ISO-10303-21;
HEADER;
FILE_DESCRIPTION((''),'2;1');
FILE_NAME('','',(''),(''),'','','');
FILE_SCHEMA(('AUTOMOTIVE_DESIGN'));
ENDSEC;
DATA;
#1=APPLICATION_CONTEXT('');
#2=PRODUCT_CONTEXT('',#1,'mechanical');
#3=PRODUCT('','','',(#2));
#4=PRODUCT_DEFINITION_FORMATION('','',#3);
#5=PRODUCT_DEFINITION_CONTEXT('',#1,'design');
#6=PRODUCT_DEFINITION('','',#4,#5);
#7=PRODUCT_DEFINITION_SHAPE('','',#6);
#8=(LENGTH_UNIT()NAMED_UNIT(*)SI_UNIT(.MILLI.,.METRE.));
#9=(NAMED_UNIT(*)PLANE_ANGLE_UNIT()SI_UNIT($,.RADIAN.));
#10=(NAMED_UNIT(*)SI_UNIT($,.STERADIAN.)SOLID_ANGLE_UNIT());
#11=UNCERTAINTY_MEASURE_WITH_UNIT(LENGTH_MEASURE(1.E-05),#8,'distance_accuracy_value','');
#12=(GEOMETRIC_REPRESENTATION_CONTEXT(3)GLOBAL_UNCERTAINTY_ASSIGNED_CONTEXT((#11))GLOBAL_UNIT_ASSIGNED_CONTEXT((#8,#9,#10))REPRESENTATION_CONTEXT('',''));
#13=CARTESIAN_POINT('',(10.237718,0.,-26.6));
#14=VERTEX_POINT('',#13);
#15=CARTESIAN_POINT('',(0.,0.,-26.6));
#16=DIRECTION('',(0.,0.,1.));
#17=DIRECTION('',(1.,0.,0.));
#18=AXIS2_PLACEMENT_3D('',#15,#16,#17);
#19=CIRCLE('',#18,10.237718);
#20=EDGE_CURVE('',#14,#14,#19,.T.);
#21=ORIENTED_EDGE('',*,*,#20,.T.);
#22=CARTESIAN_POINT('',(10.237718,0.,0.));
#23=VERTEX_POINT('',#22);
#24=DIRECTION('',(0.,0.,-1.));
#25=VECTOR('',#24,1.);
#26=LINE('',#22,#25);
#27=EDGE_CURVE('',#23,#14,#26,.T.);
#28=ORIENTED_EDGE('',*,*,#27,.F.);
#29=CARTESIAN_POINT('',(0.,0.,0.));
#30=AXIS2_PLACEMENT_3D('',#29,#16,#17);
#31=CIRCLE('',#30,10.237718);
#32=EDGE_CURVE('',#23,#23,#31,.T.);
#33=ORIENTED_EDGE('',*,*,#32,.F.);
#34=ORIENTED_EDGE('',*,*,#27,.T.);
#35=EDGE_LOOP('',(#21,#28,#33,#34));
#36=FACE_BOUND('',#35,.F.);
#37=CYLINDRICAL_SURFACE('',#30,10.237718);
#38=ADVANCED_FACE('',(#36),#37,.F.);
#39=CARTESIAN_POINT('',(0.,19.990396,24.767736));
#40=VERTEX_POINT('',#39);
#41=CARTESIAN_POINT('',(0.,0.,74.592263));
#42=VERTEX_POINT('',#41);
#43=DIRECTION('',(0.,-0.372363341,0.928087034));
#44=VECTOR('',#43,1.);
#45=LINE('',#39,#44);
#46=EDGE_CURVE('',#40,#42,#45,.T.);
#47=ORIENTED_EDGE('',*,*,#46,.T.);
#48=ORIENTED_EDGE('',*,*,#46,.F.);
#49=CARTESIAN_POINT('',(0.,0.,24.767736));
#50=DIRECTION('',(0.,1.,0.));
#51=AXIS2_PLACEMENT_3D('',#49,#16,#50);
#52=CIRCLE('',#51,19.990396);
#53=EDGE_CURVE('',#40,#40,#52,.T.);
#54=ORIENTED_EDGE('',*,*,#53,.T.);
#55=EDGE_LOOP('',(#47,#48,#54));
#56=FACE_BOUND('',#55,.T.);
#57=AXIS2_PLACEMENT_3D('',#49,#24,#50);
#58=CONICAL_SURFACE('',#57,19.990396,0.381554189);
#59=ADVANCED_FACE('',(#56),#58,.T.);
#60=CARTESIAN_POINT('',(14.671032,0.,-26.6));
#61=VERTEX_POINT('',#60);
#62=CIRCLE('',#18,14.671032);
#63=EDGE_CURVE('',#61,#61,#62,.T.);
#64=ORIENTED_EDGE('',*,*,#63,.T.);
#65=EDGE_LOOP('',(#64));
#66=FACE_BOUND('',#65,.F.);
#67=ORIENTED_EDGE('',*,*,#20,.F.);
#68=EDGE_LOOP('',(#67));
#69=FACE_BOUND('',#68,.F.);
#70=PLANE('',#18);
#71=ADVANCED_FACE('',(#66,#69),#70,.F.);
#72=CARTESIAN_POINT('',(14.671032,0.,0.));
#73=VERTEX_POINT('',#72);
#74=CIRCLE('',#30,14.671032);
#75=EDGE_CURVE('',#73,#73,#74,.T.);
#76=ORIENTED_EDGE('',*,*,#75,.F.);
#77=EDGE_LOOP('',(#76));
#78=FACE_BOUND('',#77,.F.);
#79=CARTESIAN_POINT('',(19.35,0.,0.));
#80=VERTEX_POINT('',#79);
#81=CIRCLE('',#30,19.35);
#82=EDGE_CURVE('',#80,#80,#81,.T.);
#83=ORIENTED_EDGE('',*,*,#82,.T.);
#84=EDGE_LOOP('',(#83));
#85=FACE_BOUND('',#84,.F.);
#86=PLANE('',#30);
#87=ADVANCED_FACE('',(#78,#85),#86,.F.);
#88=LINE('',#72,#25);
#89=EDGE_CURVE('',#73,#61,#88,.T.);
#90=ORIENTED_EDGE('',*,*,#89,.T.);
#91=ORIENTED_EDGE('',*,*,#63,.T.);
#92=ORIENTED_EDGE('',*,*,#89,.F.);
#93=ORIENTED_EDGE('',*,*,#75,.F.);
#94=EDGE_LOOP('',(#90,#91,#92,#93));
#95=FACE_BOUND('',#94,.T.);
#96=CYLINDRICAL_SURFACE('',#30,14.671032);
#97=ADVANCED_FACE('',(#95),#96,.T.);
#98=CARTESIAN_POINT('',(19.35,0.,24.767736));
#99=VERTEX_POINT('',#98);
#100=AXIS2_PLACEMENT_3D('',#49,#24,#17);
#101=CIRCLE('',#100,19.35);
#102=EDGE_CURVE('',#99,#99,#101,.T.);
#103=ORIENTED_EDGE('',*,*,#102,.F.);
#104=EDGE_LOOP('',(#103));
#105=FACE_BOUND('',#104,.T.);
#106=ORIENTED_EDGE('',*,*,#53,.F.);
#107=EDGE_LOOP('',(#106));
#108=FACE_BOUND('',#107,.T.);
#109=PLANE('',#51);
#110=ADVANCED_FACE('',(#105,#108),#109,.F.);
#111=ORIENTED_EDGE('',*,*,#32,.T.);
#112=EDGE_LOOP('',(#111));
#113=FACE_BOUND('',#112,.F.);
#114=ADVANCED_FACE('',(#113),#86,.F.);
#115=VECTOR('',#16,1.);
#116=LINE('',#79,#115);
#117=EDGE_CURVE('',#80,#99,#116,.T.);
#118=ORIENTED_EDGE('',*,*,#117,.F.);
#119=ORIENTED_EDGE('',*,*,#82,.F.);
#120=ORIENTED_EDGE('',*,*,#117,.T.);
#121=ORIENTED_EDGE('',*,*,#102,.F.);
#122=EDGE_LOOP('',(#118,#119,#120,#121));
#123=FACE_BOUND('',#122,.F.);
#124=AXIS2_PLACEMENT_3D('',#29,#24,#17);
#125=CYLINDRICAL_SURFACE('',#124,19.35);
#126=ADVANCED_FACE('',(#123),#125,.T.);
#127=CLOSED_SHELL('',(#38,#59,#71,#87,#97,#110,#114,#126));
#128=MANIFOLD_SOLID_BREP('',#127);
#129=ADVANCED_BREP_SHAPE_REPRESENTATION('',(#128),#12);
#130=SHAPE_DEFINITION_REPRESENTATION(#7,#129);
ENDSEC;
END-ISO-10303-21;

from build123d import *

# Parameters (mm, degrees)
F0_R     = 19.35
F1_DEPTH = 25
F4_R     = 14.671032
F4_R_2   = 10.237718
F5_DEPTH = 26.6


with BuildPart() as f1:
    # F0 (on Top) → F1 (new body)
    with BuildSketch(Plane.XY):
        Circle(F0_R)
    extrude(amount=F1_DEPTH)

    # F2 (on Right) → F3 (revolve)
    with BuildSketch(Plane.YZ):
        Polygon((0, 24.767736), (19.990396, 24.767736), (0, 74.592263), align=None)
    revolve(axis=Axis((0, 0, 4.910189), (0, 0, 1)))

    # F4 (on Top) → F5 (join)
    with BuildSketch(Plane.XY):
        Circle(F4_R)
        Circle(F4_R_2, mode=Mode.SUBTRACT)
    extrude(amount=-F5_DEPTH)


solid = f1.part
